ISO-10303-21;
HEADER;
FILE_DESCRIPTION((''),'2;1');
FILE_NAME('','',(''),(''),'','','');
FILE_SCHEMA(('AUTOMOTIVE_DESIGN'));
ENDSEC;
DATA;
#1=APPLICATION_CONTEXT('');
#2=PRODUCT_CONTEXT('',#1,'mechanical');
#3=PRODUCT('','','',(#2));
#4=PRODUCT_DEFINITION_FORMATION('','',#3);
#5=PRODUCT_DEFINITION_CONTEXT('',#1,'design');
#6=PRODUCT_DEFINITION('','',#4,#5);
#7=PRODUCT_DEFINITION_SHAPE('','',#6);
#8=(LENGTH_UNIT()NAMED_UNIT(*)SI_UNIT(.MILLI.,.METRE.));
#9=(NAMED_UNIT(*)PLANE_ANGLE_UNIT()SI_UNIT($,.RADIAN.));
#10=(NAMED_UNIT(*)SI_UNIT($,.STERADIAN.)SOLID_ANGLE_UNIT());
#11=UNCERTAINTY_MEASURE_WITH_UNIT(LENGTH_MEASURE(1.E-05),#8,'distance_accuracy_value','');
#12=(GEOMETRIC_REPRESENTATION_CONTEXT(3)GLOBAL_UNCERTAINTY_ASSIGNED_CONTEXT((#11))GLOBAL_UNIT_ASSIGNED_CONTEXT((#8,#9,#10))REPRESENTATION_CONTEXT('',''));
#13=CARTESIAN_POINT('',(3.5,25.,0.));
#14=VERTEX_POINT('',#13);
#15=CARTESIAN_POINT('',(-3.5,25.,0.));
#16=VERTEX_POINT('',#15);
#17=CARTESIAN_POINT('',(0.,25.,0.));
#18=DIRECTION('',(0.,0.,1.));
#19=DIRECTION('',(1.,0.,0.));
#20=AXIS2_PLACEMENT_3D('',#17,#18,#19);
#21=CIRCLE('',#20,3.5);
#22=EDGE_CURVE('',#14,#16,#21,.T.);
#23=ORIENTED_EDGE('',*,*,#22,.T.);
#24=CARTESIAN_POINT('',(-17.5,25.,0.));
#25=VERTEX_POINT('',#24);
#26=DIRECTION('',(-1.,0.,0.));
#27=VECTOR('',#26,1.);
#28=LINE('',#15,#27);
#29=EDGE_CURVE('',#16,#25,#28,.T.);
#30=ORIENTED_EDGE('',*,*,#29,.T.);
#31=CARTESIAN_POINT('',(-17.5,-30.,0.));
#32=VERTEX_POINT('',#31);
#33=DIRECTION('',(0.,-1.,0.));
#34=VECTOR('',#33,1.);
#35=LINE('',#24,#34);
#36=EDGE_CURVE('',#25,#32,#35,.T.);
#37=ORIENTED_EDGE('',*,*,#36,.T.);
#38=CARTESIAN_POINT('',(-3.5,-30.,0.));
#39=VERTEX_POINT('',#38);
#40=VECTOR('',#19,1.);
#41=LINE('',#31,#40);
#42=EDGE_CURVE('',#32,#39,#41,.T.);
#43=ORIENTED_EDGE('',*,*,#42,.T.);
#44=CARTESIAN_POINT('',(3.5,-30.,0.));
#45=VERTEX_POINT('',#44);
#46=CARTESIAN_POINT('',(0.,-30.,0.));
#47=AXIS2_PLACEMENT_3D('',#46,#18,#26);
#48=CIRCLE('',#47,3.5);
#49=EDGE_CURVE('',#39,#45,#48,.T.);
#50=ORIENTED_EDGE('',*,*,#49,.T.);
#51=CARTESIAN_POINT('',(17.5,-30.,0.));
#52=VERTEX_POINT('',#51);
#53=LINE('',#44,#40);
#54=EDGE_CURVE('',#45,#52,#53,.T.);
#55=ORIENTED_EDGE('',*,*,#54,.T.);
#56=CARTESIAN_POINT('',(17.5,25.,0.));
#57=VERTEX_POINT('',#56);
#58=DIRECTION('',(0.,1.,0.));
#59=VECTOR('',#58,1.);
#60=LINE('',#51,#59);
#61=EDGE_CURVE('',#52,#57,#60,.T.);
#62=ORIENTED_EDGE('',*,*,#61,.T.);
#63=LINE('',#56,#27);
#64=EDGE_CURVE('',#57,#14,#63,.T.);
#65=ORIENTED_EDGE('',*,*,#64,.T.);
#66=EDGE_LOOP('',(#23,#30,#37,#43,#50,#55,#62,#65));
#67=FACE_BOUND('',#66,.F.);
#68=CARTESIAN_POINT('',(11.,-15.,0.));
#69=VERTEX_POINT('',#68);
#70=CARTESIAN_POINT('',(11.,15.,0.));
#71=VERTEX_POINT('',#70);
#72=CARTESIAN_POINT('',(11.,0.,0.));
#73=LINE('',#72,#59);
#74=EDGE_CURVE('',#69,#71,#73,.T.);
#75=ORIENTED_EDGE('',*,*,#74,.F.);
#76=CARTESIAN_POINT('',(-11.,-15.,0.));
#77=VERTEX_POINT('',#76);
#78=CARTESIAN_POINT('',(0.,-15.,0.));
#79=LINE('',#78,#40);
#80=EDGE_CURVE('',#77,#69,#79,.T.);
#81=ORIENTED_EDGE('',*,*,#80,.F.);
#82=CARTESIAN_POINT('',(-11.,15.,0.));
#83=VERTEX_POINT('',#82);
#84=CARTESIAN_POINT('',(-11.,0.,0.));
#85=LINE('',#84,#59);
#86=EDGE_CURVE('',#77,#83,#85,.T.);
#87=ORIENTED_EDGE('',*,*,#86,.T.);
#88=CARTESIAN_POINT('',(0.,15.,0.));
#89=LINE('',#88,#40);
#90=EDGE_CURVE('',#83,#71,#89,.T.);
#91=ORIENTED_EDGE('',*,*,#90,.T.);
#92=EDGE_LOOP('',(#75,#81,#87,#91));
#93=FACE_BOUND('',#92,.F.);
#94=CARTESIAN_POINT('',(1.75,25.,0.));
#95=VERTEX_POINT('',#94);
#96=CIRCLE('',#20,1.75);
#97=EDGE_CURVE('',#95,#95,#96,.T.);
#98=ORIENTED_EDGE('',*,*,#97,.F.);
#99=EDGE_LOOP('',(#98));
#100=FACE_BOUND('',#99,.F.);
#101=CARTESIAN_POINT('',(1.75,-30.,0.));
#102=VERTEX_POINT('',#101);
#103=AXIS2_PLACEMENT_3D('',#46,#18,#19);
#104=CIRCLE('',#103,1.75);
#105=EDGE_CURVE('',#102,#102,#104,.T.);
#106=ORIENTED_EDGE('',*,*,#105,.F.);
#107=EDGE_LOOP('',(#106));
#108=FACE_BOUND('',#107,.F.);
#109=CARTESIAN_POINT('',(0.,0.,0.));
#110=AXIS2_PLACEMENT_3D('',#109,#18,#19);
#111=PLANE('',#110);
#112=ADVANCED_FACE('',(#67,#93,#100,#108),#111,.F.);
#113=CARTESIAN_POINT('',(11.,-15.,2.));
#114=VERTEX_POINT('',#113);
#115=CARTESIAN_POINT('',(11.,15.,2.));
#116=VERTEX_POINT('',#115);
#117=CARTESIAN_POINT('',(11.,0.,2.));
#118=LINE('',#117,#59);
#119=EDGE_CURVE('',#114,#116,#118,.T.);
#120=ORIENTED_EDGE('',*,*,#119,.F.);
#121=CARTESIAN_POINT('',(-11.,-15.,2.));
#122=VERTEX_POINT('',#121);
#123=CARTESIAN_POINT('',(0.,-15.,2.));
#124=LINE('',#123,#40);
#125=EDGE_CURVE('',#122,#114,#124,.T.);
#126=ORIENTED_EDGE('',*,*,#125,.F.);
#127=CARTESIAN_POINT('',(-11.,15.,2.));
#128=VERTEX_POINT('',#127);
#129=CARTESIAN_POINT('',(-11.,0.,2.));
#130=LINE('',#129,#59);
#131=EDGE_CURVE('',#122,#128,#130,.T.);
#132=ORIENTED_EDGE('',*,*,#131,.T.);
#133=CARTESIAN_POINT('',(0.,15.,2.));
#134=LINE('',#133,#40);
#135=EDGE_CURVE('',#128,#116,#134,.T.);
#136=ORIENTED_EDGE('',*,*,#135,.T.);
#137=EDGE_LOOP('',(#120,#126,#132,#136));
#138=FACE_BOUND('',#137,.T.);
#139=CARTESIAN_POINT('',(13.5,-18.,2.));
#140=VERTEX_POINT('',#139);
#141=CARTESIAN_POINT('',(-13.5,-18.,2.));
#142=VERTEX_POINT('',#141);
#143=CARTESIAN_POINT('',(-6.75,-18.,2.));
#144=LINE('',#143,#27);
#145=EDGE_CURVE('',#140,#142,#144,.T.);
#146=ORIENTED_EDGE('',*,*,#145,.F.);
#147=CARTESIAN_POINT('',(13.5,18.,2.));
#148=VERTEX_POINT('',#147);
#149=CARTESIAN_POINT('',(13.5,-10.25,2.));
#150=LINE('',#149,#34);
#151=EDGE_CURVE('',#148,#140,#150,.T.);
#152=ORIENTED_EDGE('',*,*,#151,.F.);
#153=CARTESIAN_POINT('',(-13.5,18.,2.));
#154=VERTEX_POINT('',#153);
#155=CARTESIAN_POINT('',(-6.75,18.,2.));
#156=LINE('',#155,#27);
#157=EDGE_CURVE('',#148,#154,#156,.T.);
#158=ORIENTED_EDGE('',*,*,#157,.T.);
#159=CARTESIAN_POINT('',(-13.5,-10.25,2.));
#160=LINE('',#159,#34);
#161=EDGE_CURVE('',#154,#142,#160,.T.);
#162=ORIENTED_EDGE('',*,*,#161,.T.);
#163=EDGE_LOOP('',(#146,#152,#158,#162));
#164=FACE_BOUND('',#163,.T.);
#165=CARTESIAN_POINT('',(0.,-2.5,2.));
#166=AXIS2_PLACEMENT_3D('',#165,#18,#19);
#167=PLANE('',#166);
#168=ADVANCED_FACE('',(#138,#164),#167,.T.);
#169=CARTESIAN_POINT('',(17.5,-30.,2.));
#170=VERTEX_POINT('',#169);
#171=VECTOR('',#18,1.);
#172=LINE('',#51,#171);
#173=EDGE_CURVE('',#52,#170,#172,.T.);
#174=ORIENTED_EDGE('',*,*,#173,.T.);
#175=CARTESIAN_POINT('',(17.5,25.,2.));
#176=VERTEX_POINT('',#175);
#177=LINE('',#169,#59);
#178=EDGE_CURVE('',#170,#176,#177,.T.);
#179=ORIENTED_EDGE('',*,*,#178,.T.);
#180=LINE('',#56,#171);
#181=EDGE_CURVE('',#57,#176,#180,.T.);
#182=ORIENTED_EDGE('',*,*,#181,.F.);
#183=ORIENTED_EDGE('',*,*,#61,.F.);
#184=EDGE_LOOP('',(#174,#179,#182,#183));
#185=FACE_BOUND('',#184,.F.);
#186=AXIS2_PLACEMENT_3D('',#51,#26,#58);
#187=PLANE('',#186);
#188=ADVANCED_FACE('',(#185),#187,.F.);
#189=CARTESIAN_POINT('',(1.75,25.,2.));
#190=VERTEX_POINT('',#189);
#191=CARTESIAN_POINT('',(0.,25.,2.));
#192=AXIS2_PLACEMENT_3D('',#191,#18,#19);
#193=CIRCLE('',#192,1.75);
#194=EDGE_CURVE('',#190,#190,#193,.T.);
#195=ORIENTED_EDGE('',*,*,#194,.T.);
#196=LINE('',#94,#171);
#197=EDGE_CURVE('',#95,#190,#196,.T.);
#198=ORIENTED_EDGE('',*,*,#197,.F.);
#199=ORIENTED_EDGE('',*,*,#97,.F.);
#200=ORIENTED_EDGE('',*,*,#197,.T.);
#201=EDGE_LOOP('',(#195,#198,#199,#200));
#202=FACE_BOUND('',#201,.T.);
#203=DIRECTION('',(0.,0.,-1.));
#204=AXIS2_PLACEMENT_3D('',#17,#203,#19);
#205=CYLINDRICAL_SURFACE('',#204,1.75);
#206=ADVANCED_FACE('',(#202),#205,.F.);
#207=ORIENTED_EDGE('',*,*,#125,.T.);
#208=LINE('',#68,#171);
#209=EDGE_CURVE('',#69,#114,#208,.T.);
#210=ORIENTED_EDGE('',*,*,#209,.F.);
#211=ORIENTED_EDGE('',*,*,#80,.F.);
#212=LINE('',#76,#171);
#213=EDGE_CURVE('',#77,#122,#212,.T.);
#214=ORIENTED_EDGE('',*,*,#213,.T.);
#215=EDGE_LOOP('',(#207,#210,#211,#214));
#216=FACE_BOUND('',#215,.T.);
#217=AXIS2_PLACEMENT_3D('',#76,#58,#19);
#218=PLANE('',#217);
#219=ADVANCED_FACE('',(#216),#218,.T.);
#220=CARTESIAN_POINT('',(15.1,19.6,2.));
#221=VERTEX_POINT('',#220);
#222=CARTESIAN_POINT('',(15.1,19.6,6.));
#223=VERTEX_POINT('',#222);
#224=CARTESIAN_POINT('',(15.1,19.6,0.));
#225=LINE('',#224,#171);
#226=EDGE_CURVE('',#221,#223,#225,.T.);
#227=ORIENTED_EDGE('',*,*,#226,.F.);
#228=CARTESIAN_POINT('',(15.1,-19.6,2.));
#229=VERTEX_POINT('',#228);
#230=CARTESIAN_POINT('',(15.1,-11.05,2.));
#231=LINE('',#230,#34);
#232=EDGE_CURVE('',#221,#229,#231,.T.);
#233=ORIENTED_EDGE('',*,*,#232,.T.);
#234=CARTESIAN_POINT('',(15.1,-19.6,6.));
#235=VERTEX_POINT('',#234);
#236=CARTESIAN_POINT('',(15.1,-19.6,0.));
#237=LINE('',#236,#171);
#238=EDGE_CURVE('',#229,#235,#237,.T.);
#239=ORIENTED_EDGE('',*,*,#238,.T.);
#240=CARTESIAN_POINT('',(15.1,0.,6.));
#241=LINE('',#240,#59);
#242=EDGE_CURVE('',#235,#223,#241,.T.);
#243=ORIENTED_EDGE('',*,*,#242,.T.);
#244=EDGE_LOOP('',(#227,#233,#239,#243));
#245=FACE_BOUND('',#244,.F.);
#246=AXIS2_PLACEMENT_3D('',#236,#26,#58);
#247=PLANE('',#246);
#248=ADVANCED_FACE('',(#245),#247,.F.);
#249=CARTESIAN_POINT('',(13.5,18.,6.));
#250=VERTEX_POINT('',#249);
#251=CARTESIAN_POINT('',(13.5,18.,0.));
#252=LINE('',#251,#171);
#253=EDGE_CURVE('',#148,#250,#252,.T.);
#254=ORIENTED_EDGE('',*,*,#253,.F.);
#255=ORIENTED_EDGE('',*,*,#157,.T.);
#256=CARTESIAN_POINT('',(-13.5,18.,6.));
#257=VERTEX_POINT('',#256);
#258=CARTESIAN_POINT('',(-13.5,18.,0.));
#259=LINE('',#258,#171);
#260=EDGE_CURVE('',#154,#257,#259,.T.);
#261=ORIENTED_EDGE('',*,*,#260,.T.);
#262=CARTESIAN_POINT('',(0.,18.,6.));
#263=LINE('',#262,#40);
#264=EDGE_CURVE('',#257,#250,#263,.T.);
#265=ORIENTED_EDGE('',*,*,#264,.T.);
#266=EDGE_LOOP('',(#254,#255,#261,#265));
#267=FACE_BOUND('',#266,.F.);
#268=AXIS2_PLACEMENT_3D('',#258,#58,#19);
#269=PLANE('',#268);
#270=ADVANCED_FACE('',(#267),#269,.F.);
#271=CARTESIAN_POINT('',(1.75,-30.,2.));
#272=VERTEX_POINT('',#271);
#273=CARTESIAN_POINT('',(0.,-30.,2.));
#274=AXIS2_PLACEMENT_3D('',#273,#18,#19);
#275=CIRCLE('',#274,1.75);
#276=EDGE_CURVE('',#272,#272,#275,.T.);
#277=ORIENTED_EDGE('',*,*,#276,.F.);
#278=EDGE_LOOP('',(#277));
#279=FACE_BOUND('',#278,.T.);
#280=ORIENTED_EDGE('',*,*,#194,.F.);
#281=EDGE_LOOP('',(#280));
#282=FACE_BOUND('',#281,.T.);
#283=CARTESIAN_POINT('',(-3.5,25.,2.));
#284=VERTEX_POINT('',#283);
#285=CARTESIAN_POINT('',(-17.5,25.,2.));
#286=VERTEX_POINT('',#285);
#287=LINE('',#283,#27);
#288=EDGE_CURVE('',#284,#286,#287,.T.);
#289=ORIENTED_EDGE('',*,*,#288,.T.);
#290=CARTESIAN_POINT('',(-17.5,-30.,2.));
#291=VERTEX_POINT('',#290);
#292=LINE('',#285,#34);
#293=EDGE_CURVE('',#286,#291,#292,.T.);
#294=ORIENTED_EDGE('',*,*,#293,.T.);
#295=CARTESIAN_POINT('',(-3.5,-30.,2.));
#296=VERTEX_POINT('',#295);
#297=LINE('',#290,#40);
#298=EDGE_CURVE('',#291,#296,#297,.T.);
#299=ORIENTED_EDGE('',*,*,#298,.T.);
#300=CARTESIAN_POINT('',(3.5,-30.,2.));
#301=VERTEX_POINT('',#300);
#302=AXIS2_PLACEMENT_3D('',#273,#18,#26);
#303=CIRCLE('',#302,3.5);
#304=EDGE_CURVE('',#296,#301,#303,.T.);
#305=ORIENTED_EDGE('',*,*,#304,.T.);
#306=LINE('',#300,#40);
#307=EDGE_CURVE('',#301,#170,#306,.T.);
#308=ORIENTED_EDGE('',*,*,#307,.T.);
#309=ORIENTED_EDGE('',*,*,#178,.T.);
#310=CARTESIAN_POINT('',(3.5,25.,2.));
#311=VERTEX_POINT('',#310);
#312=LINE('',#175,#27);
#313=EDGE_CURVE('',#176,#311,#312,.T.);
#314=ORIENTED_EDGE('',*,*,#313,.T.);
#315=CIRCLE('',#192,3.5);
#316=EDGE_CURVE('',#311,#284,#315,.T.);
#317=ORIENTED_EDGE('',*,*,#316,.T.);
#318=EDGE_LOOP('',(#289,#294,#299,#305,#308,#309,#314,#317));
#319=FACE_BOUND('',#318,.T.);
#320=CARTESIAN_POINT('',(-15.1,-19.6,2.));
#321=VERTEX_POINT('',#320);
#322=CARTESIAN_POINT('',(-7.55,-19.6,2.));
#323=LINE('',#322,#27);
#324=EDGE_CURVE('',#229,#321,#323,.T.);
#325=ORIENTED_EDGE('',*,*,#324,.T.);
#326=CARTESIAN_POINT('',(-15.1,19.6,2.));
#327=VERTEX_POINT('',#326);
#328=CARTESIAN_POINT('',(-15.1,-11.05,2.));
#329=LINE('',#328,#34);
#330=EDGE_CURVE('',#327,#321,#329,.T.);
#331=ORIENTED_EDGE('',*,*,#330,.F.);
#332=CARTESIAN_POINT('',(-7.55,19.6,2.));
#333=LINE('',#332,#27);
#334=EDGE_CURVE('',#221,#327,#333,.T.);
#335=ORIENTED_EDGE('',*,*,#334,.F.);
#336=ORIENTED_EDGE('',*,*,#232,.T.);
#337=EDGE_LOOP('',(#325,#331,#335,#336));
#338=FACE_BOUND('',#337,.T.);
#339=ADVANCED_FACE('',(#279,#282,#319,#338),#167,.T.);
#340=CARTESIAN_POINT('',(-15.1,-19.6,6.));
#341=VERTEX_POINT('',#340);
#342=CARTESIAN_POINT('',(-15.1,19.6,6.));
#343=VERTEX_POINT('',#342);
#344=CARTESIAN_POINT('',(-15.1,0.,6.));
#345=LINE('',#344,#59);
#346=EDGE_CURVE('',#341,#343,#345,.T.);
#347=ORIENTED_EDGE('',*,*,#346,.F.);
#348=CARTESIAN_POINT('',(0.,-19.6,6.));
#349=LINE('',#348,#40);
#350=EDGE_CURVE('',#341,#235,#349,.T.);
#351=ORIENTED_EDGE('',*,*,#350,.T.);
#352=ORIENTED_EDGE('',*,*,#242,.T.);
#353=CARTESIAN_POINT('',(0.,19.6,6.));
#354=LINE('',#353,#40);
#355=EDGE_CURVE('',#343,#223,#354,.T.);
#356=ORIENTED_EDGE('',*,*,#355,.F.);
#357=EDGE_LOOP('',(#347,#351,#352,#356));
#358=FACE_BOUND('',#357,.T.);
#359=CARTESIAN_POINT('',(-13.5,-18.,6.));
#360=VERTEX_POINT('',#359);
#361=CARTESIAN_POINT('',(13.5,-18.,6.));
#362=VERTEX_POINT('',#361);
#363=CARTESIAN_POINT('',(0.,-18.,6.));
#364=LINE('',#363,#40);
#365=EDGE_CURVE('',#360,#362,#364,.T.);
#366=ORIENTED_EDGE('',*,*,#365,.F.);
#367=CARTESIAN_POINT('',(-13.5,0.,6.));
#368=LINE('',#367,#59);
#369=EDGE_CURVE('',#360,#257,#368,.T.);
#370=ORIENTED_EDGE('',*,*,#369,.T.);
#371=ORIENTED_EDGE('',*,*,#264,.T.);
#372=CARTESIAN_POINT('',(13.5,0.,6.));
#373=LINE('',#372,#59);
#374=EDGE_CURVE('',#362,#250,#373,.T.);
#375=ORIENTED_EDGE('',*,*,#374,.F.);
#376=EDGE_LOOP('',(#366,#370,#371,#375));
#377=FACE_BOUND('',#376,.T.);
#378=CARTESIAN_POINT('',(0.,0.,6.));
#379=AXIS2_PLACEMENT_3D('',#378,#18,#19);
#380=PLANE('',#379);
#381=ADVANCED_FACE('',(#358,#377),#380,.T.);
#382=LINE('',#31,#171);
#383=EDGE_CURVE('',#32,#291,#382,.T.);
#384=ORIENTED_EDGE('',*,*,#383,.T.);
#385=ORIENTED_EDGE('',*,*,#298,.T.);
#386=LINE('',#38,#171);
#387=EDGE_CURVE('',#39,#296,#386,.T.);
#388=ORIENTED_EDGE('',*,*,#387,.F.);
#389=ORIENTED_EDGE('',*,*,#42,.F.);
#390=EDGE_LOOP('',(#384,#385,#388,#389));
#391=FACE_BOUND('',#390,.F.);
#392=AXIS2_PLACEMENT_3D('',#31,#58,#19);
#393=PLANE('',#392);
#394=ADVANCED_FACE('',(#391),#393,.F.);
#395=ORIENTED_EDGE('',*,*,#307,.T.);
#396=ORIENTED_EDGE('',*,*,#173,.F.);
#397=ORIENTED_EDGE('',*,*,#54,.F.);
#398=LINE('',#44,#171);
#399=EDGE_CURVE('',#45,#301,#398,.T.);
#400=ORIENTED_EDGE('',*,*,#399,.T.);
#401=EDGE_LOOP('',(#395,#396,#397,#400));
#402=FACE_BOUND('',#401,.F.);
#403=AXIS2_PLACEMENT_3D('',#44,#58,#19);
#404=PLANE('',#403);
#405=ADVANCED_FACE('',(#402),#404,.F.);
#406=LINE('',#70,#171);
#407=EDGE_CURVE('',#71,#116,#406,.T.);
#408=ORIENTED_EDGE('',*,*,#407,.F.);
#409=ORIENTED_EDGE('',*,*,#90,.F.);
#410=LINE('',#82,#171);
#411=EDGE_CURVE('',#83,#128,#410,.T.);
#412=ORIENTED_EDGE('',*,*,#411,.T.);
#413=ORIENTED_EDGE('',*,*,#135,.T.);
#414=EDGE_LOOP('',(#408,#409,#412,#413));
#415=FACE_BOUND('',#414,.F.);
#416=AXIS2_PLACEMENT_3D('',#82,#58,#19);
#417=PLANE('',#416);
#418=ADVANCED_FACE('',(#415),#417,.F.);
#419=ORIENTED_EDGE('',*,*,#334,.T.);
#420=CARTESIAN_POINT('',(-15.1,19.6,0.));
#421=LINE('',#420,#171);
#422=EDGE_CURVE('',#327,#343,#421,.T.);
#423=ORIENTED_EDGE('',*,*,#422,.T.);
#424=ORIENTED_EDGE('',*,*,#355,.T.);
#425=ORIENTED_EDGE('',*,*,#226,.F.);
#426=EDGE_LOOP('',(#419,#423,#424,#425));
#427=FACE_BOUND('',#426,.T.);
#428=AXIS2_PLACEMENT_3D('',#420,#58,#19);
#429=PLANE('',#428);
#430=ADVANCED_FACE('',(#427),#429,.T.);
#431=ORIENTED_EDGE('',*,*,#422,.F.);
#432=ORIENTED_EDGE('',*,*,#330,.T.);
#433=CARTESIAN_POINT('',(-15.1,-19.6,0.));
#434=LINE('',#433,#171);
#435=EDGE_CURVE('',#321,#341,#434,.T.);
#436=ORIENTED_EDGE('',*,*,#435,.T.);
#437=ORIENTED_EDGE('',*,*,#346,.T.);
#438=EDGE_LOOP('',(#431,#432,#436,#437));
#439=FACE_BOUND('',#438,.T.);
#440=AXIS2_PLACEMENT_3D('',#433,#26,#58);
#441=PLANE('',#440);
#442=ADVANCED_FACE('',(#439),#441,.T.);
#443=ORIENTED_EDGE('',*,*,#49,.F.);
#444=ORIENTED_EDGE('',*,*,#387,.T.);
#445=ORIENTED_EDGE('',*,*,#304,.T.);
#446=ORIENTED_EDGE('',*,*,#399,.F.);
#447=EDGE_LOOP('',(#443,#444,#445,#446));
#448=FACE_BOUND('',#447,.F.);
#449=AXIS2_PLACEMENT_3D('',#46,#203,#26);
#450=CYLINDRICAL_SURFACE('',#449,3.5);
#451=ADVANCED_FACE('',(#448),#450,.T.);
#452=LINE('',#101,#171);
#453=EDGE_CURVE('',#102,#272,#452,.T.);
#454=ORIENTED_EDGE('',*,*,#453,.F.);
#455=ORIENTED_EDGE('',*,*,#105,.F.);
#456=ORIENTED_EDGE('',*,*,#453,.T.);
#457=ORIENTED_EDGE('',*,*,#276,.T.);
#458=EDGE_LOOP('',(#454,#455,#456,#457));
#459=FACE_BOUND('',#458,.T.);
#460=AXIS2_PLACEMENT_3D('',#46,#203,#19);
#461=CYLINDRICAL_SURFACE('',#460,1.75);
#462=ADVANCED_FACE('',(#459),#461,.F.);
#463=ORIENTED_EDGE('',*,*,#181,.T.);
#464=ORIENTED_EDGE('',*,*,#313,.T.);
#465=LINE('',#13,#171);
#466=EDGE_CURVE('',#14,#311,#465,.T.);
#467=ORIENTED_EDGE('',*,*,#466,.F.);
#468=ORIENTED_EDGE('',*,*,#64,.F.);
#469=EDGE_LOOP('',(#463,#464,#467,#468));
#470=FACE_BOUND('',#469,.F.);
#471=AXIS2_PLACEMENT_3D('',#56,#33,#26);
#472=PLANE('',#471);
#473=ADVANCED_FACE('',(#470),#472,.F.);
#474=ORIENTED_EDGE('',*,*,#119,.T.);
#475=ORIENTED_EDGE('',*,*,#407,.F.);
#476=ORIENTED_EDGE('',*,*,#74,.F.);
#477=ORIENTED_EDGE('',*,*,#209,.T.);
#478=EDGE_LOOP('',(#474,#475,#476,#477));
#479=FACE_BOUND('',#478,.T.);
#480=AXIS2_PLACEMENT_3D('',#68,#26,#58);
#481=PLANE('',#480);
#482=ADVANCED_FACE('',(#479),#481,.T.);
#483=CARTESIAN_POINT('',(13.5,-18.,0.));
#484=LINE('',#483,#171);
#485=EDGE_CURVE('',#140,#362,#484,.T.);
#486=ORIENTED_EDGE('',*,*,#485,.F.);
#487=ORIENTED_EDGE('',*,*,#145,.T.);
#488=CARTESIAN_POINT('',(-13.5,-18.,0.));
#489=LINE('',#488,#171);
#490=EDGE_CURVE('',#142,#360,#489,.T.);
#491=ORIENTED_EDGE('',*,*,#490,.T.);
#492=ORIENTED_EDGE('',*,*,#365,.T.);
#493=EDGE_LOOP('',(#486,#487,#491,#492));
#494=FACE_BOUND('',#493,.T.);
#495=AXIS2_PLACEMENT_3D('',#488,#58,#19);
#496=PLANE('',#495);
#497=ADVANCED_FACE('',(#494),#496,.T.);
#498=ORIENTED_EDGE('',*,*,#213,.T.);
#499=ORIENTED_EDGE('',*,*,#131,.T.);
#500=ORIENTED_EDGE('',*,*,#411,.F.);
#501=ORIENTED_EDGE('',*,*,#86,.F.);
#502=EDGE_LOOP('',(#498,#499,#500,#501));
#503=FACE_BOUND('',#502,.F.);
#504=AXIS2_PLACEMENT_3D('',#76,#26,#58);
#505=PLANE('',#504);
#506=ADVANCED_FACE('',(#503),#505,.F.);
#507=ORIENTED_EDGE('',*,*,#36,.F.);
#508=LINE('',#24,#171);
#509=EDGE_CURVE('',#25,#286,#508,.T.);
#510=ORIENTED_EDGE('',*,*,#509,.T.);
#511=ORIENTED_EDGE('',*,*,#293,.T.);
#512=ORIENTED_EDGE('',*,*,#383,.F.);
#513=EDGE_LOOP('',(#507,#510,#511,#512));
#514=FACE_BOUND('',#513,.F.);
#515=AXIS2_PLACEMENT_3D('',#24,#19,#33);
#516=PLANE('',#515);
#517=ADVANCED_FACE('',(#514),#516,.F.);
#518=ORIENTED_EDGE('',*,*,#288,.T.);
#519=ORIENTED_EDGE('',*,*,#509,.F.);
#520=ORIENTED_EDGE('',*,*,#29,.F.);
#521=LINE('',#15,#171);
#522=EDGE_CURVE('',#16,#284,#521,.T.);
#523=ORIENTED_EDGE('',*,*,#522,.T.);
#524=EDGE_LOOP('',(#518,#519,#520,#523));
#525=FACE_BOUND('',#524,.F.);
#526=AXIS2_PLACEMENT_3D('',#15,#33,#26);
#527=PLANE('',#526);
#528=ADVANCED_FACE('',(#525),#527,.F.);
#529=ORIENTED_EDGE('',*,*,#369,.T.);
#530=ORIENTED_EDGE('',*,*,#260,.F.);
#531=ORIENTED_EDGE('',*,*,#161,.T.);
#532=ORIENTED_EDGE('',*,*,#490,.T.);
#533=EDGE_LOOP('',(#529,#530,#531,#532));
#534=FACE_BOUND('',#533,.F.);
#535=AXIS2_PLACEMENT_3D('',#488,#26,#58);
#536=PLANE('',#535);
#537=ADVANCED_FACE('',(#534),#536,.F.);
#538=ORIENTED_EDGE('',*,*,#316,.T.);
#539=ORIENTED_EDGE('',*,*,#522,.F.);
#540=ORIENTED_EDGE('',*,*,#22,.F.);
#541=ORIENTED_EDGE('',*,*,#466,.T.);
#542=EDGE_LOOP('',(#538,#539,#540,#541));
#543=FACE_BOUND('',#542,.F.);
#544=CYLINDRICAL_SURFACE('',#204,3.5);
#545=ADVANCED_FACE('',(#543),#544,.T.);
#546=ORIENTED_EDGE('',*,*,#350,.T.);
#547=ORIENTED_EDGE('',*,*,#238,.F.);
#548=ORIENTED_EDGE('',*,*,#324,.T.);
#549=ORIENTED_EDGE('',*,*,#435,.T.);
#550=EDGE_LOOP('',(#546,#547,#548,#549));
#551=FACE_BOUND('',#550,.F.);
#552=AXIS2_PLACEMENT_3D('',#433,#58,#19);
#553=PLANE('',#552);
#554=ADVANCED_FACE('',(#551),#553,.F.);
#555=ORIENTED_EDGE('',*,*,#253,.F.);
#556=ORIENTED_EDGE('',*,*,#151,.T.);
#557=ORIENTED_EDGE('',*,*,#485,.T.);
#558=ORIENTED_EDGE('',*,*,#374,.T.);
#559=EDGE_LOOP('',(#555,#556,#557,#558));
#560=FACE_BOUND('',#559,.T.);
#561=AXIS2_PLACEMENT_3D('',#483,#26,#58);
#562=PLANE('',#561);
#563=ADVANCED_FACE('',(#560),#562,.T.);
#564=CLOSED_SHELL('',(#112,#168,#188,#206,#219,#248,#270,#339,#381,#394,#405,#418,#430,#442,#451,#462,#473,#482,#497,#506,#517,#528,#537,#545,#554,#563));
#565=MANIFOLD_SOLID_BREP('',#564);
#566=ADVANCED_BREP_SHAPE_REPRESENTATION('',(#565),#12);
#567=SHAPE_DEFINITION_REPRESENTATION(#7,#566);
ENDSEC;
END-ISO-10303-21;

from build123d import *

# Parameters (mm, degrees)
SKETCH_R      = 1.75
SKETCH_W      = 22
SKETCH_H      = 30
PAD_DEPTH     = 2
SKETCH001_W   = 30.2
SKETCH001_H   = 39.2
SKETCH001_W_2 = 27
SKETCH001_H_2 = 36
PAD001_DEPTH  = 6


with BuildPart() as part:
    # Sketch → Pad (new body)
    with BuildSketch(Plane.XY):
        with BuildLine():
            ThreePointArc((3.5, 25), (0, 28.5), (-3.5, 25))
            Line((-3.5, 25), (-17.5, 25))
            Line((-17.5, 25), (-17.5, -30))
            Line((-17.5, -30), (-3.5, -30))
            ThreePointArc((-3.5, -30), (0, -33.5), (3.5, -30))
            Line((3.5, -30), (17.5, -30))
            Line((17.5, -30), (17.5, 25))
            Line((17.5, 25), (3.5, 25))
        make_face()
        with Locations((0, 25)):
            Circle(SKETCH_R, mode=Mode.SUBTRACT)
        with Locations((0, -30)):
            Circle(SKETCH_R, mode=Mode.SUBTRACT)
        Rectangle(SKETCH_W, SKETCH_H, mode=Mode.SUBTRACT)
    extrude(amount=PAD_DEPTH)

    # Sketch001 → Pad001 (join)
    with BuildSketch(Plane.XY):
        Rectangle(SKETCH001_W, SKETCH001_H)
        Rectangle(SKETCH001_W_2, SKETCH001_H_2, mode=Mode.SUBTRACT)
    extrude(amount=PAD001_DEPTH)


solid = part.part
